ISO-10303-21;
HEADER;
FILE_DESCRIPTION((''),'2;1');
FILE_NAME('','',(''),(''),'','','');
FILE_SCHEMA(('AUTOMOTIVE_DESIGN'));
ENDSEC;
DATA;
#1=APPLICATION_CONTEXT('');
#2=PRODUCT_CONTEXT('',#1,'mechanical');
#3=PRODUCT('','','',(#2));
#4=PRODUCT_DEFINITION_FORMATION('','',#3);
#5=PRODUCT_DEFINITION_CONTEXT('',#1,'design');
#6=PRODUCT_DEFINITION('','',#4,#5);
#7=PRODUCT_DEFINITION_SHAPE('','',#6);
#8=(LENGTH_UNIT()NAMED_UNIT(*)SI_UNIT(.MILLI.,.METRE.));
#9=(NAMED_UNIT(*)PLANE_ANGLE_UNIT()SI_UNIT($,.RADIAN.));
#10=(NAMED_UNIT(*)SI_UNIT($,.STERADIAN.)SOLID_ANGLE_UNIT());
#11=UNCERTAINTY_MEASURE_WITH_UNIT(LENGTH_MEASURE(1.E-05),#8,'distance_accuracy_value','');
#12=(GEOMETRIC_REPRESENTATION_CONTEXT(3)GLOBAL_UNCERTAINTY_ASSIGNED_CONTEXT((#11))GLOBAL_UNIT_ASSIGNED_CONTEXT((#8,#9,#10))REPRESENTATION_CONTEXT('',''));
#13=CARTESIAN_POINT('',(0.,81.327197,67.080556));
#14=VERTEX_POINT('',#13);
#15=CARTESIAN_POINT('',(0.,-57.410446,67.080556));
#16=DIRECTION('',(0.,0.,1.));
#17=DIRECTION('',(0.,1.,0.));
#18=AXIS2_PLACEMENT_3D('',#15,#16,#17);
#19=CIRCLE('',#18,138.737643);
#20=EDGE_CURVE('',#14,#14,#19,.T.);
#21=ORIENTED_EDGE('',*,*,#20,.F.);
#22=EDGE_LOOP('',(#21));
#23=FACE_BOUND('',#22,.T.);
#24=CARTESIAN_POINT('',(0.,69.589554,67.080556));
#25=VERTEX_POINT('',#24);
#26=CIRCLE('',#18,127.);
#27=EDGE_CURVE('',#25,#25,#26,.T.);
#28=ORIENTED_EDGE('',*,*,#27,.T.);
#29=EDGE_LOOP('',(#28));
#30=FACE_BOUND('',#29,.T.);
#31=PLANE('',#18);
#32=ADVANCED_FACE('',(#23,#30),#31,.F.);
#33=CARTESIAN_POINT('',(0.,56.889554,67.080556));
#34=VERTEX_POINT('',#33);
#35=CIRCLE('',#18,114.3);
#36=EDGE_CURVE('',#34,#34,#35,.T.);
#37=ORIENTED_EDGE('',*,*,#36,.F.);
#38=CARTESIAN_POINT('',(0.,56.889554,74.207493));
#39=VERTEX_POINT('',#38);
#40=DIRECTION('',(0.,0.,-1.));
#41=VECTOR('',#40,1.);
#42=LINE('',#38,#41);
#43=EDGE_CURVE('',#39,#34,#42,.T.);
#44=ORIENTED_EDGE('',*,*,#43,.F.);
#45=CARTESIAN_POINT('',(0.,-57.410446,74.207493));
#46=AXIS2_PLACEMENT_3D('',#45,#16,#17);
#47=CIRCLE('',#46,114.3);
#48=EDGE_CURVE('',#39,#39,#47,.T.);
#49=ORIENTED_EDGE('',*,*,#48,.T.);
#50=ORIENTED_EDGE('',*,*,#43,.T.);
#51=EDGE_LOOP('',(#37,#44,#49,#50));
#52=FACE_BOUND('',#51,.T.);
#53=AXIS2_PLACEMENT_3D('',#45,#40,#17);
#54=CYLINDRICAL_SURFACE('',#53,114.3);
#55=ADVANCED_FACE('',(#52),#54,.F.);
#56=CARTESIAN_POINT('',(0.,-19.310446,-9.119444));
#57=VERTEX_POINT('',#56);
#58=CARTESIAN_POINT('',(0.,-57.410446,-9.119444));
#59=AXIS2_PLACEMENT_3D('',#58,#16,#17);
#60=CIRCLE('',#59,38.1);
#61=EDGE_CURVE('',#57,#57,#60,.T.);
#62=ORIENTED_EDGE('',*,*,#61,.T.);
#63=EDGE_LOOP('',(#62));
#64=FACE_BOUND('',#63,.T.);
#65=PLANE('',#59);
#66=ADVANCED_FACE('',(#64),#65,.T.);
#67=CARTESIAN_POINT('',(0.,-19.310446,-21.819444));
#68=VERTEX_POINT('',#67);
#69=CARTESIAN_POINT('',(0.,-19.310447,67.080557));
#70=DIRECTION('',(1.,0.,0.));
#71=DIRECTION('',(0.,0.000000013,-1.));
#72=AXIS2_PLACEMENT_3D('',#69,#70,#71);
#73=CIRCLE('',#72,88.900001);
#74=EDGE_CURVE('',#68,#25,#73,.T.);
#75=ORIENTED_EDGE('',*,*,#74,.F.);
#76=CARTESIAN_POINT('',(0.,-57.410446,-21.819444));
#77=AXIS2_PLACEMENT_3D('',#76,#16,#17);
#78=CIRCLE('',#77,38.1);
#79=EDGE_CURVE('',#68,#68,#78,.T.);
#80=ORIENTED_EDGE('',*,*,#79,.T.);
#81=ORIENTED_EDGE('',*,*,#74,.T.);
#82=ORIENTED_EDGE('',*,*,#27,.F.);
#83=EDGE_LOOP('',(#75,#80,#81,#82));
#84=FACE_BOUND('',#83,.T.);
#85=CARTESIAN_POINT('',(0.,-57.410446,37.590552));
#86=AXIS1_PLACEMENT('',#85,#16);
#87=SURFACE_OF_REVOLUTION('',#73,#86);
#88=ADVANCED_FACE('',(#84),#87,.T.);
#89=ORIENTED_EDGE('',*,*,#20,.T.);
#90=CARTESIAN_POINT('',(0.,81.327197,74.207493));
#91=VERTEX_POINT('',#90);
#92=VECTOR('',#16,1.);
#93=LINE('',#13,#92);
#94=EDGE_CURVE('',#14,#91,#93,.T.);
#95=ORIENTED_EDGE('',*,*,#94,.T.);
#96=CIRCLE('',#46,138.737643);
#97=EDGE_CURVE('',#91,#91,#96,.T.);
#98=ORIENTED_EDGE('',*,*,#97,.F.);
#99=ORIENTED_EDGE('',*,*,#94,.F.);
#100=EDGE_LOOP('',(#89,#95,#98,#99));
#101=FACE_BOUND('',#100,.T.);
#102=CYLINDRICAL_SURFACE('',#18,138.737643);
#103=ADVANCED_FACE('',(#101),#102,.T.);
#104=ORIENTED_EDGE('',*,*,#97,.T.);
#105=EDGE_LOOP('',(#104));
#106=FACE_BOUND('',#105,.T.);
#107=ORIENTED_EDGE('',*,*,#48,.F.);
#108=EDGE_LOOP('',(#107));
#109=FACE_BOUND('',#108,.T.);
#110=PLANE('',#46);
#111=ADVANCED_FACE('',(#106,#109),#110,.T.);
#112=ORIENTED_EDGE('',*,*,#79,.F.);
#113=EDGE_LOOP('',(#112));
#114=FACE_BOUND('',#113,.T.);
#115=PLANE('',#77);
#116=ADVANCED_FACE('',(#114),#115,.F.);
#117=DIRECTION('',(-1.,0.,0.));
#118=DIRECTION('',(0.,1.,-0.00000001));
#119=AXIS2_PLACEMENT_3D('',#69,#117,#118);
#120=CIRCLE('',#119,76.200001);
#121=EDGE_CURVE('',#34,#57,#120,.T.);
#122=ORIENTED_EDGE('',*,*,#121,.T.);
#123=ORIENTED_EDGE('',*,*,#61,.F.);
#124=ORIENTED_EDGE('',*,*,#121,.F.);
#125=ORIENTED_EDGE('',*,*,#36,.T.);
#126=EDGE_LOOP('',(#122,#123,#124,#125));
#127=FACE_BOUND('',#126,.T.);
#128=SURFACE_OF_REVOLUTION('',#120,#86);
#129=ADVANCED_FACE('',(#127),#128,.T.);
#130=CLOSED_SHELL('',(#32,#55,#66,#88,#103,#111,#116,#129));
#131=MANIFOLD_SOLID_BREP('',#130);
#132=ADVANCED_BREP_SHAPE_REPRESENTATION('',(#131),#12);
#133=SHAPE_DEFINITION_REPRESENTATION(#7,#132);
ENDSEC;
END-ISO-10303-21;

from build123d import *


with BuildPart() as f1:
    # F0 (on Right) → F1 (revolve)
    with BuildSketch(Plane.YZ):
        with BuildLine():
            Line((-19.310446, -9.119444), (-57.410446, -9.119444))
            Line((-57.410446, -9.119444), (-57.410446, -21.819444))
            Line((-57.410446, -21.819444), (-19.310446, -21.819444))
            ThreePointArc((-19.310446, -21.819444), (43.551347, 4.218764), (69.589554, 67.080556))
            Line((69.589554, 67.080556), (81.327197, 67.080556))
            Line((81.327197, 67.080556), (81.327197, 74.207493))
            Line((81.327197, 74.207493), (56.889554, 74.207493))
            Line((56.889554, 74.207493), (56.889554, 67.080556))
            ThreePointArc((56.889554, 67.080556), (34.571091, 13.19902), (-19.310446, -9.119444))
        make_face()
    revolve(axis=Axis((0, -57.410446, 37.590552), (0, 0, 1)))


solid = f1.part
